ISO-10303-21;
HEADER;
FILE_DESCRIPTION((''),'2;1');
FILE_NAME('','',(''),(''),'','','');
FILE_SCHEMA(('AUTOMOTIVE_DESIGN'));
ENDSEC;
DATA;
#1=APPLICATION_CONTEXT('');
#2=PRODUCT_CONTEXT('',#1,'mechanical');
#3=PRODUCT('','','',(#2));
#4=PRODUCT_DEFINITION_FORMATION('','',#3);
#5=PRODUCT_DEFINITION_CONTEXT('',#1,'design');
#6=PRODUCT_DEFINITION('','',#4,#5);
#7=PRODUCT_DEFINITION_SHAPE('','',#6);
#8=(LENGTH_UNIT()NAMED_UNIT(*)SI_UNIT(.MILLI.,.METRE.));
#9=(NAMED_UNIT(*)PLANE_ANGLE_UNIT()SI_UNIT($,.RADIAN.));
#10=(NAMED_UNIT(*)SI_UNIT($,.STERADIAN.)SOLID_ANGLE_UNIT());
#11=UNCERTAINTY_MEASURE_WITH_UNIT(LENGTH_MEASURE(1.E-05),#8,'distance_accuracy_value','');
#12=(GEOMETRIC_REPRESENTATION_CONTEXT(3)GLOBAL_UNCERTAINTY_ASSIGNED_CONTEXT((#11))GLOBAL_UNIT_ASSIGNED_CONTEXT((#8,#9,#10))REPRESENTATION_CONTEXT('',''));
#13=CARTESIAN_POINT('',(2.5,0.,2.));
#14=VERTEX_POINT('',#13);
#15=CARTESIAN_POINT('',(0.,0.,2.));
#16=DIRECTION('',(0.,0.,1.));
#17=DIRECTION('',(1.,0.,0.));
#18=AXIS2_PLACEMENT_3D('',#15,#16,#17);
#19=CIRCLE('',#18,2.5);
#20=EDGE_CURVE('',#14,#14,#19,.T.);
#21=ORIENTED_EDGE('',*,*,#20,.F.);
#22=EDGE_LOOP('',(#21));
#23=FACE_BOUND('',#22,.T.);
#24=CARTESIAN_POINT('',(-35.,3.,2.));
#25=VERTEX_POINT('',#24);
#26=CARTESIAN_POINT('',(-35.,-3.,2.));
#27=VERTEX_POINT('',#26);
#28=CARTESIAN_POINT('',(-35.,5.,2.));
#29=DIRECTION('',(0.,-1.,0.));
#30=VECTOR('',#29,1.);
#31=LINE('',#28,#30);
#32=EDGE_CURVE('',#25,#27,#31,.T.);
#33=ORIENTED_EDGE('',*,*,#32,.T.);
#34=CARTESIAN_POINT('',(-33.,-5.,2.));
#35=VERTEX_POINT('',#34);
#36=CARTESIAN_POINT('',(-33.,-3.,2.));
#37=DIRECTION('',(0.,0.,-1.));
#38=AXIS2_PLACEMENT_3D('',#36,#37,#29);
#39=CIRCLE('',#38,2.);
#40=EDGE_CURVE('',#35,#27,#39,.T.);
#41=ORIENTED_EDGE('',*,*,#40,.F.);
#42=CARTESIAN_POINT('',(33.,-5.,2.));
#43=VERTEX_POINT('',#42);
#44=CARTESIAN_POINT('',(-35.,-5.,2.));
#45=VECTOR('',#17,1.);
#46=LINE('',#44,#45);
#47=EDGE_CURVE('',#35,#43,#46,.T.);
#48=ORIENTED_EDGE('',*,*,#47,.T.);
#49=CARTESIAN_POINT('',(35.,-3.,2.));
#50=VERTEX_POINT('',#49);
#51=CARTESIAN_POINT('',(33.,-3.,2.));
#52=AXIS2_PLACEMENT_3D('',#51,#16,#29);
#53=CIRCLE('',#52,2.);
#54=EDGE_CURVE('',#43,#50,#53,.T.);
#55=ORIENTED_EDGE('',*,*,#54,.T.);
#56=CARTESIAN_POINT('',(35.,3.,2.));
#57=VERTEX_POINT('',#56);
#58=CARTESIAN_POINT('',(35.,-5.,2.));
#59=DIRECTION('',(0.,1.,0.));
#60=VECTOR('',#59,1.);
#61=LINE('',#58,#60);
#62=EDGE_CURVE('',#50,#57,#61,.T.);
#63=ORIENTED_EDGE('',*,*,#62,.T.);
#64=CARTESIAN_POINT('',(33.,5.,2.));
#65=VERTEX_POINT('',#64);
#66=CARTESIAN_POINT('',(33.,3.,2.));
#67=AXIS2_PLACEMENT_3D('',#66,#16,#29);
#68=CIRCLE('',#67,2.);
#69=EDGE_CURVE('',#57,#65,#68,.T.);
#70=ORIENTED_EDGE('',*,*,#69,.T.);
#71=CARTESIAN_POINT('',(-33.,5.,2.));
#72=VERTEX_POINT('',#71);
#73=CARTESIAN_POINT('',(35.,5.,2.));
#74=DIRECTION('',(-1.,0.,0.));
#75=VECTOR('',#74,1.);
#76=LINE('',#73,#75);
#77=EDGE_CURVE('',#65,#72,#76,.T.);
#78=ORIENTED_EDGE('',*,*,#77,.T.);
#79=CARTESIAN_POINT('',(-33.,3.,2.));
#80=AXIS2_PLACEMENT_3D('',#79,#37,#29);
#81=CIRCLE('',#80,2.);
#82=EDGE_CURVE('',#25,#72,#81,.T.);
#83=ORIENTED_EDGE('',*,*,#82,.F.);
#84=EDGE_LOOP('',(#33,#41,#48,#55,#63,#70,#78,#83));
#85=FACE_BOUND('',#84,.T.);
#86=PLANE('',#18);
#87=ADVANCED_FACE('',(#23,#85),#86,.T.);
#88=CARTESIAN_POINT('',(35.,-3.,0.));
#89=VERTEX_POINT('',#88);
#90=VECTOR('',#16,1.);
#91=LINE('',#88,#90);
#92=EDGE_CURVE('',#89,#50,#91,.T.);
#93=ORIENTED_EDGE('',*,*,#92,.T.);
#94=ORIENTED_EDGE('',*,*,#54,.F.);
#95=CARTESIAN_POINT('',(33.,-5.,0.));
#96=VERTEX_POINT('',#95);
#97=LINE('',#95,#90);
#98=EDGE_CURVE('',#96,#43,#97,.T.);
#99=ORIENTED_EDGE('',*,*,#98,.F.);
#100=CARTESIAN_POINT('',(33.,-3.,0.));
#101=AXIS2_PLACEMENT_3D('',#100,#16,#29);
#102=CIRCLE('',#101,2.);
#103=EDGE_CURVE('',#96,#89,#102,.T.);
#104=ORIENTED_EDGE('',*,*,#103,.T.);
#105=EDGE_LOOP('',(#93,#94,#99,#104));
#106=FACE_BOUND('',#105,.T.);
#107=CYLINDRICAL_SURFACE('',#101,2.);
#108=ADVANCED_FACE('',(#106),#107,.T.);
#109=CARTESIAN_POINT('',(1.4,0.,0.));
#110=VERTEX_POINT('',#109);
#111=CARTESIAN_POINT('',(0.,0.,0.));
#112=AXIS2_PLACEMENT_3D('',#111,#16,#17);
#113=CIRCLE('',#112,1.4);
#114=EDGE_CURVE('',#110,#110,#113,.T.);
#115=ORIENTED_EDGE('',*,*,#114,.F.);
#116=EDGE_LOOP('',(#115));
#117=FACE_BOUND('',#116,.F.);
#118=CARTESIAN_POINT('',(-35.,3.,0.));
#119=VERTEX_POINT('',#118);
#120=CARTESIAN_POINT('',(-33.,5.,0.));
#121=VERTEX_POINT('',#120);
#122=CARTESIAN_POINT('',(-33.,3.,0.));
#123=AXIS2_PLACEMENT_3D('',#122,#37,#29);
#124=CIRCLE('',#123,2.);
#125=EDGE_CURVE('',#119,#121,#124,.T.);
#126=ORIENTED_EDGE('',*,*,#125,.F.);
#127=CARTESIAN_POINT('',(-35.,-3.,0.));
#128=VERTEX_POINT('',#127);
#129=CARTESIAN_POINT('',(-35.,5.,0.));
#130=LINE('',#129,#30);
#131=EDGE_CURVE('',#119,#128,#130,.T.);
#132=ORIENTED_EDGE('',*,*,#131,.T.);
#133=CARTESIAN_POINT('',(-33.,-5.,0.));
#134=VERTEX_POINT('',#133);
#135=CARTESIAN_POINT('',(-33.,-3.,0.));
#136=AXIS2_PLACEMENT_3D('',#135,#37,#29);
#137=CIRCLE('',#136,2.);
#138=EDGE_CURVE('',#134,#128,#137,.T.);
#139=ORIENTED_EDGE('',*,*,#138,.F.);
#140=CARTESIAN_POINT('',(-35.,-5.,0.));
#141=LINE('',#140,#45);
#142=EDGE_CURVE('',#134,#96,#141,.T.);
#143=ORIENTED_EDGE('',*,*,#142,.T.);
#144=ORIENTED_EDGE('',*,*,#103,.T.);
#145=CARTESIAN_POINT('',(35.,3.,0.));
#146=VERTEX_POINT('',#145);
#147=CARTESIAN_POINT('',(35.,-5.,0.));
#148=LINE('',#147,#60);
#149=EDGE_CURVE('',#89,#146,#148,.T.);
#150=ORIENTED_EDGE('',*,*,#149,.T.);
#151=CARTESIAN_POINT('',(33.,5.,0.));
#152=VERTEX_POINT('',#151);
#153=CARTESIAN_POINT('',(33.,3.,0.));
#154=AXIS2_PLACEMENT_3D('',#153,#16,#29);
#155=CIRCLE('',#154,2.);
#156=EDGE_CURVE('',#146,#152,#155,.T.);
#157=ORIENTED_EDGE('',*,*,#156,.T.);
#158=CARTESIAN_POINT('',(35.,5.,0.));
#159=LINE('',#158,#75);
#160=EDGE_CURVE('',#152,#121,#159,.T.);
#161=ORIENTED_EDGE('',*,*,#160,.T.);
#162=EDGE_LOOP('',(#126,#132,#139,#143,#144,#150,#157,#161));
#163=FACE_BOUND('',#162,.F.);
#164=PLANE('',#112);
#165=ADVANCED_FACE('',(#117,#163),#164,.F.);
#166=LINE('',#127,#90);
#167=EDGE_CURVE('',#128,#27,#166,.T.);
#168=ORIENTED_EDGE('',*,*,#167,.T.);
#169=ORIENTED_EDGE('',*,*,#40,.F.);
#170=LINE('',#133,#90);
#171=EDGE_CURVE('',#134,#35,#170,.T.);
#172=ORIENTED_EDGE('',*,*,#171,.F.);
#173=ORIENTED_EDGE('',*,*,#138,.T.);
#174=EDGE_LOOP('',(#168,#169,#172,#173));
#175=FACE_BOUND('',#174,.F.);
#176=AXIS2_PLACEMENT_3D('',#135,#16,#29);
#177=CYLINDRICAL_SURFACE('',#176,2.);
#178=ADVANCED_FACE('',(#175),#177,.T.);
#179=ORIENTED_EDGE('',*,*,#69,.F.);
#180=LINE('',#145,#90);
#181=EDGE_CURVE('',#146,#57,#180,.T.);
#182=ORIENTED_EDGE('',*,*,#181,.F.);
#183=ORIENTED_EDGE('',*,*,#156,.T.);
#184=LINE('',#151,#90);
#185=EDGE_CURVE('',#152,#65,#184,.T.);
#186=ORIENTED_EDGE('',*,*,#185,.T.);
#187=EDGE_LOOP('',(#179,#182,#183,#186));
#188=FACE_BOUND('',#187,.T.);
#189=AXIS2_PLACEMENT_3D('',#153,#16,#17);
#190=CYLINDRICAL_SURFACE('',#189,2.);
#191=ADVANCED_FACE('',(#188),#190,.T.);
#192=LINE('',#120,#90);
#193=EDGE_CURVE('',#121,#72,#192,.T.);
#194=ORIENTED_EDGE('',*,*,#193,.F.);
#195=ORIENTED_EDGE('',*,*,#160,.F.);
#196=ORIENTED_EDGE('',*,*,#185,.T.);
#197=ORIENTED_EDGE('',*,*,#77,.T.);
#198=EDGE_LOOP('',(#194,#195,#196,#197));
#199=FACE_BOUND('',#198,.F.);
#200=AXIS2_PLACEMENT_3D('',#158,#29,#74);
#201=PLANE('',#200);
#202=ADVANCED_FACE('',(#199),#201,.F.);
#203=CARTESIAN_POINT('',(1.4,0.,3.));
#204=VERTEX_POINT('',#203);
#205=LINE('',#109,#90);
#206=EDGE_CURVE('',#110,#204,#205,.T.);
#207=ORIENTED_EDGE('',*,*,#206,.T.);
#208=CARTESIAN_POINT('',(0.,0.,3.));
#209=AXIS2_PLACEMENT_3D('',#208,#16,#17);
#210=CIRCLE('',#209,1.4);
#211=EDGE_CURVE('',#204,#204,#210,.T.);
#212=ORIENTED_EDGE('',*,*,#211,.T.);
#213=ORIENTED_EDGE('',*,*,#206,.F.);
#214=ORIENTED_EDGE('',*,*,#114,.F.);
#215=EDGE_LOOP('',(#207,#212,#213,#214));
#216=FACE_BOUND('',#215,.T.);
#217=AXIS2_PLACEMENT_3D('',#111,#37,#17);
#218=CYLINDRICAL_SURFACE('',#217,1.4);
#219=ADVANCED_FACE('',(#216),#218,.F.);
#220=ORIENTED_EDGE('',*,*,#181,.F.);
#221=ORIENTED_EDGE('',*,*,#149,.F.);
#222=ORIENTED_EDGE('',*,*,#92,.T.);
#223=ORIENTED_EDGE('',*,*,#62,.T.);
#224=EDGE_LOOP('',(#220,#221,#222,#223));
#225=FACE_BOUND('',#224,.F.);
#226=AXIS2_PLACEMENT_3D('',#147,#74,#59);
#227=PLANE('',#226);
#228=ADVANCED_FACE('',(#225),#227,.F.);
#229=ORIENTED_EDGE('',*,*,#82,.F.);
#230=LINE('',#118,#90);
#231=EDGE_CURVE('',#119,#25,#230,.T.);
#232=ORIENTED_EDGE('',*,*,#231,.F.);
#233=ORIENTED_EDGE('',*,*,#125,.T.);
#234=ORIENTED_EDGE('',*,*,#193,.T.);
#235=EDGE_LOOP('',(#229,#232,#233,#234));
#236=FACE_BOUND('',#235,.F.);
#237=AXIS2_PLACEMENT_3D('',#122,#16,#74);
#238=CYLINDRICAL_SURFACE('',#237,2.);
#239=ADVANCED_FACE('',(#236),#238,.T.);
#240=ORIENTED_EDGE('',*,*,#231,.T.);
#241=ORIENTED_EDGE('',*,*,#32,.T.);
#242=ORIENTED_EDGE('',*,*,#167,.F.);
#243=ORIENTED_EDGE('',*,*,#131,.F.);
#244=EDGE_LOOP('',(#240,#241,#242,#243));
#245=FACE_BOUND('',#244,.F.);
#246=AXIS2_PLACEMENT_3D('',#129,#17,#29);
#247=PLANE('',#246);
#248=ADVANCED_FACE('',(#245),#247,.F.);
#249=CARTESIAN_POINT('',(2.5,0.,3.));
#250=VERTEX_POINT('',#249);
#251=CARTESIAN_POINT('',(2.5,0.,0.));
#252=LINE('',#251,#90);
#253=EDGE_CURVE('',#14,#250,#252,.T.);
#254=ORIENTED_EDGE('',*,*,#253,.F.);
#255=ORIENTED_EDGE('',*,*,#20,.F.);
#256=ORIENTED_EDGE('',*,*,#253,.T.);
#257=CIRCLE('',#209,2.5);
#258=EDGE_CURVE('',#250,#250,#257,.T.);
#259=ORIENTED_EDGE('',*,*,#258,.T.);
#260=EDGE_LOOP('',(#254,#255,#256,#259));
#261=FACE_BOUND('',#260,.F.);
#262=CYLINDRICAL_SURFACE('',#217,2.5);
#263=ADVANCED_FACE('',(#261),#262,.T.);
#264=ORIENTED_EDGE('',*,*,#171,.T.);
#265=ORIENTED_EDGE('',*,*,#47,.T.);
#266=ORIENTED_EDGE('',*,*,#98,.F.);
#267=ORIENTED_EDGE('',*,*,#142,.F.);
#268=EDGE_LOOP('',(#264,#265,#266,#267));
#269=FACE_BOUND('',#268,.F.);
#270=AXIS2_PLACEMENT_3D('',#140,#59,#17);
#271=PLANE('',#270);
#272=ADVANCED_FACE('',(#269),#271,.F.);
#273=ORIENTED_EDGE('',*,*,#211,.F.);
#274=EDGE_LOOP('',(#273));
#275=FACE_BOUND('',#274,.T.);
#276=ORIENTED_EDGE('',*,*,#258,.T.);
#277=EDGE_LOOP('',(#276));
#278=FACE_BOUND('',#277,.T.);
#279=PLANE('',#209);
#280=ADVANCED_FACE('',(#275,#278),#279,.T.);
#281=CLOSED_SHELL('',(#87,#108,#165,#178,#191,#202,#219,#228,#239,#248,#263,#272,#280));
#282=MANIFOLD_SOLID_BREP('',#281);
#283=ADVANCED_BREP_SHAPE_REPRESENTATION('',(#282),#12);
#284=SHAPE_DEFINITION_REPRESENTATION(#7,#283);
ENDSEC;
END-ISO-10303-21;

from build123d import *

# Parameters (mm, degrees)
F0_R     = 2.5
F1_DEPTH = 2
F2_R     = 2
F0_R_2   = 1.4
F3_DEPTH = 3


with BuildPart() as f1:
    # F0 (on Top) → F1 (new body)
    with BuildSketch(Plane.XY):
        Polygon((-35, -5), (35, -5), (35, 5), (0, 5), (-35, 5), (-35, 3.662193), align=None)
        Circle(F0_R, mode=Mode.SUBTRACT)
    extrude(amount=F1_DEPTH)

    # F2
    f2_edges = [f1.edges().sort_by_distance(p)[0] for p in [
        (-35, 5, 1),
        (-35, -5, 1),
        (35, -5, 1),
        (35, 5, 1),
    ]]
    fillet(f2_edges, radius=F2_R)

    # F0 (on Top) → F3 (join)
    with BuildSketch(Plane.XY):
        Circle(F0_R)
        Circle(F0_R_2, mode=Mode.SUBTRACT)
    extrude(amount=F3_DEPTH)


solid = f1.part
